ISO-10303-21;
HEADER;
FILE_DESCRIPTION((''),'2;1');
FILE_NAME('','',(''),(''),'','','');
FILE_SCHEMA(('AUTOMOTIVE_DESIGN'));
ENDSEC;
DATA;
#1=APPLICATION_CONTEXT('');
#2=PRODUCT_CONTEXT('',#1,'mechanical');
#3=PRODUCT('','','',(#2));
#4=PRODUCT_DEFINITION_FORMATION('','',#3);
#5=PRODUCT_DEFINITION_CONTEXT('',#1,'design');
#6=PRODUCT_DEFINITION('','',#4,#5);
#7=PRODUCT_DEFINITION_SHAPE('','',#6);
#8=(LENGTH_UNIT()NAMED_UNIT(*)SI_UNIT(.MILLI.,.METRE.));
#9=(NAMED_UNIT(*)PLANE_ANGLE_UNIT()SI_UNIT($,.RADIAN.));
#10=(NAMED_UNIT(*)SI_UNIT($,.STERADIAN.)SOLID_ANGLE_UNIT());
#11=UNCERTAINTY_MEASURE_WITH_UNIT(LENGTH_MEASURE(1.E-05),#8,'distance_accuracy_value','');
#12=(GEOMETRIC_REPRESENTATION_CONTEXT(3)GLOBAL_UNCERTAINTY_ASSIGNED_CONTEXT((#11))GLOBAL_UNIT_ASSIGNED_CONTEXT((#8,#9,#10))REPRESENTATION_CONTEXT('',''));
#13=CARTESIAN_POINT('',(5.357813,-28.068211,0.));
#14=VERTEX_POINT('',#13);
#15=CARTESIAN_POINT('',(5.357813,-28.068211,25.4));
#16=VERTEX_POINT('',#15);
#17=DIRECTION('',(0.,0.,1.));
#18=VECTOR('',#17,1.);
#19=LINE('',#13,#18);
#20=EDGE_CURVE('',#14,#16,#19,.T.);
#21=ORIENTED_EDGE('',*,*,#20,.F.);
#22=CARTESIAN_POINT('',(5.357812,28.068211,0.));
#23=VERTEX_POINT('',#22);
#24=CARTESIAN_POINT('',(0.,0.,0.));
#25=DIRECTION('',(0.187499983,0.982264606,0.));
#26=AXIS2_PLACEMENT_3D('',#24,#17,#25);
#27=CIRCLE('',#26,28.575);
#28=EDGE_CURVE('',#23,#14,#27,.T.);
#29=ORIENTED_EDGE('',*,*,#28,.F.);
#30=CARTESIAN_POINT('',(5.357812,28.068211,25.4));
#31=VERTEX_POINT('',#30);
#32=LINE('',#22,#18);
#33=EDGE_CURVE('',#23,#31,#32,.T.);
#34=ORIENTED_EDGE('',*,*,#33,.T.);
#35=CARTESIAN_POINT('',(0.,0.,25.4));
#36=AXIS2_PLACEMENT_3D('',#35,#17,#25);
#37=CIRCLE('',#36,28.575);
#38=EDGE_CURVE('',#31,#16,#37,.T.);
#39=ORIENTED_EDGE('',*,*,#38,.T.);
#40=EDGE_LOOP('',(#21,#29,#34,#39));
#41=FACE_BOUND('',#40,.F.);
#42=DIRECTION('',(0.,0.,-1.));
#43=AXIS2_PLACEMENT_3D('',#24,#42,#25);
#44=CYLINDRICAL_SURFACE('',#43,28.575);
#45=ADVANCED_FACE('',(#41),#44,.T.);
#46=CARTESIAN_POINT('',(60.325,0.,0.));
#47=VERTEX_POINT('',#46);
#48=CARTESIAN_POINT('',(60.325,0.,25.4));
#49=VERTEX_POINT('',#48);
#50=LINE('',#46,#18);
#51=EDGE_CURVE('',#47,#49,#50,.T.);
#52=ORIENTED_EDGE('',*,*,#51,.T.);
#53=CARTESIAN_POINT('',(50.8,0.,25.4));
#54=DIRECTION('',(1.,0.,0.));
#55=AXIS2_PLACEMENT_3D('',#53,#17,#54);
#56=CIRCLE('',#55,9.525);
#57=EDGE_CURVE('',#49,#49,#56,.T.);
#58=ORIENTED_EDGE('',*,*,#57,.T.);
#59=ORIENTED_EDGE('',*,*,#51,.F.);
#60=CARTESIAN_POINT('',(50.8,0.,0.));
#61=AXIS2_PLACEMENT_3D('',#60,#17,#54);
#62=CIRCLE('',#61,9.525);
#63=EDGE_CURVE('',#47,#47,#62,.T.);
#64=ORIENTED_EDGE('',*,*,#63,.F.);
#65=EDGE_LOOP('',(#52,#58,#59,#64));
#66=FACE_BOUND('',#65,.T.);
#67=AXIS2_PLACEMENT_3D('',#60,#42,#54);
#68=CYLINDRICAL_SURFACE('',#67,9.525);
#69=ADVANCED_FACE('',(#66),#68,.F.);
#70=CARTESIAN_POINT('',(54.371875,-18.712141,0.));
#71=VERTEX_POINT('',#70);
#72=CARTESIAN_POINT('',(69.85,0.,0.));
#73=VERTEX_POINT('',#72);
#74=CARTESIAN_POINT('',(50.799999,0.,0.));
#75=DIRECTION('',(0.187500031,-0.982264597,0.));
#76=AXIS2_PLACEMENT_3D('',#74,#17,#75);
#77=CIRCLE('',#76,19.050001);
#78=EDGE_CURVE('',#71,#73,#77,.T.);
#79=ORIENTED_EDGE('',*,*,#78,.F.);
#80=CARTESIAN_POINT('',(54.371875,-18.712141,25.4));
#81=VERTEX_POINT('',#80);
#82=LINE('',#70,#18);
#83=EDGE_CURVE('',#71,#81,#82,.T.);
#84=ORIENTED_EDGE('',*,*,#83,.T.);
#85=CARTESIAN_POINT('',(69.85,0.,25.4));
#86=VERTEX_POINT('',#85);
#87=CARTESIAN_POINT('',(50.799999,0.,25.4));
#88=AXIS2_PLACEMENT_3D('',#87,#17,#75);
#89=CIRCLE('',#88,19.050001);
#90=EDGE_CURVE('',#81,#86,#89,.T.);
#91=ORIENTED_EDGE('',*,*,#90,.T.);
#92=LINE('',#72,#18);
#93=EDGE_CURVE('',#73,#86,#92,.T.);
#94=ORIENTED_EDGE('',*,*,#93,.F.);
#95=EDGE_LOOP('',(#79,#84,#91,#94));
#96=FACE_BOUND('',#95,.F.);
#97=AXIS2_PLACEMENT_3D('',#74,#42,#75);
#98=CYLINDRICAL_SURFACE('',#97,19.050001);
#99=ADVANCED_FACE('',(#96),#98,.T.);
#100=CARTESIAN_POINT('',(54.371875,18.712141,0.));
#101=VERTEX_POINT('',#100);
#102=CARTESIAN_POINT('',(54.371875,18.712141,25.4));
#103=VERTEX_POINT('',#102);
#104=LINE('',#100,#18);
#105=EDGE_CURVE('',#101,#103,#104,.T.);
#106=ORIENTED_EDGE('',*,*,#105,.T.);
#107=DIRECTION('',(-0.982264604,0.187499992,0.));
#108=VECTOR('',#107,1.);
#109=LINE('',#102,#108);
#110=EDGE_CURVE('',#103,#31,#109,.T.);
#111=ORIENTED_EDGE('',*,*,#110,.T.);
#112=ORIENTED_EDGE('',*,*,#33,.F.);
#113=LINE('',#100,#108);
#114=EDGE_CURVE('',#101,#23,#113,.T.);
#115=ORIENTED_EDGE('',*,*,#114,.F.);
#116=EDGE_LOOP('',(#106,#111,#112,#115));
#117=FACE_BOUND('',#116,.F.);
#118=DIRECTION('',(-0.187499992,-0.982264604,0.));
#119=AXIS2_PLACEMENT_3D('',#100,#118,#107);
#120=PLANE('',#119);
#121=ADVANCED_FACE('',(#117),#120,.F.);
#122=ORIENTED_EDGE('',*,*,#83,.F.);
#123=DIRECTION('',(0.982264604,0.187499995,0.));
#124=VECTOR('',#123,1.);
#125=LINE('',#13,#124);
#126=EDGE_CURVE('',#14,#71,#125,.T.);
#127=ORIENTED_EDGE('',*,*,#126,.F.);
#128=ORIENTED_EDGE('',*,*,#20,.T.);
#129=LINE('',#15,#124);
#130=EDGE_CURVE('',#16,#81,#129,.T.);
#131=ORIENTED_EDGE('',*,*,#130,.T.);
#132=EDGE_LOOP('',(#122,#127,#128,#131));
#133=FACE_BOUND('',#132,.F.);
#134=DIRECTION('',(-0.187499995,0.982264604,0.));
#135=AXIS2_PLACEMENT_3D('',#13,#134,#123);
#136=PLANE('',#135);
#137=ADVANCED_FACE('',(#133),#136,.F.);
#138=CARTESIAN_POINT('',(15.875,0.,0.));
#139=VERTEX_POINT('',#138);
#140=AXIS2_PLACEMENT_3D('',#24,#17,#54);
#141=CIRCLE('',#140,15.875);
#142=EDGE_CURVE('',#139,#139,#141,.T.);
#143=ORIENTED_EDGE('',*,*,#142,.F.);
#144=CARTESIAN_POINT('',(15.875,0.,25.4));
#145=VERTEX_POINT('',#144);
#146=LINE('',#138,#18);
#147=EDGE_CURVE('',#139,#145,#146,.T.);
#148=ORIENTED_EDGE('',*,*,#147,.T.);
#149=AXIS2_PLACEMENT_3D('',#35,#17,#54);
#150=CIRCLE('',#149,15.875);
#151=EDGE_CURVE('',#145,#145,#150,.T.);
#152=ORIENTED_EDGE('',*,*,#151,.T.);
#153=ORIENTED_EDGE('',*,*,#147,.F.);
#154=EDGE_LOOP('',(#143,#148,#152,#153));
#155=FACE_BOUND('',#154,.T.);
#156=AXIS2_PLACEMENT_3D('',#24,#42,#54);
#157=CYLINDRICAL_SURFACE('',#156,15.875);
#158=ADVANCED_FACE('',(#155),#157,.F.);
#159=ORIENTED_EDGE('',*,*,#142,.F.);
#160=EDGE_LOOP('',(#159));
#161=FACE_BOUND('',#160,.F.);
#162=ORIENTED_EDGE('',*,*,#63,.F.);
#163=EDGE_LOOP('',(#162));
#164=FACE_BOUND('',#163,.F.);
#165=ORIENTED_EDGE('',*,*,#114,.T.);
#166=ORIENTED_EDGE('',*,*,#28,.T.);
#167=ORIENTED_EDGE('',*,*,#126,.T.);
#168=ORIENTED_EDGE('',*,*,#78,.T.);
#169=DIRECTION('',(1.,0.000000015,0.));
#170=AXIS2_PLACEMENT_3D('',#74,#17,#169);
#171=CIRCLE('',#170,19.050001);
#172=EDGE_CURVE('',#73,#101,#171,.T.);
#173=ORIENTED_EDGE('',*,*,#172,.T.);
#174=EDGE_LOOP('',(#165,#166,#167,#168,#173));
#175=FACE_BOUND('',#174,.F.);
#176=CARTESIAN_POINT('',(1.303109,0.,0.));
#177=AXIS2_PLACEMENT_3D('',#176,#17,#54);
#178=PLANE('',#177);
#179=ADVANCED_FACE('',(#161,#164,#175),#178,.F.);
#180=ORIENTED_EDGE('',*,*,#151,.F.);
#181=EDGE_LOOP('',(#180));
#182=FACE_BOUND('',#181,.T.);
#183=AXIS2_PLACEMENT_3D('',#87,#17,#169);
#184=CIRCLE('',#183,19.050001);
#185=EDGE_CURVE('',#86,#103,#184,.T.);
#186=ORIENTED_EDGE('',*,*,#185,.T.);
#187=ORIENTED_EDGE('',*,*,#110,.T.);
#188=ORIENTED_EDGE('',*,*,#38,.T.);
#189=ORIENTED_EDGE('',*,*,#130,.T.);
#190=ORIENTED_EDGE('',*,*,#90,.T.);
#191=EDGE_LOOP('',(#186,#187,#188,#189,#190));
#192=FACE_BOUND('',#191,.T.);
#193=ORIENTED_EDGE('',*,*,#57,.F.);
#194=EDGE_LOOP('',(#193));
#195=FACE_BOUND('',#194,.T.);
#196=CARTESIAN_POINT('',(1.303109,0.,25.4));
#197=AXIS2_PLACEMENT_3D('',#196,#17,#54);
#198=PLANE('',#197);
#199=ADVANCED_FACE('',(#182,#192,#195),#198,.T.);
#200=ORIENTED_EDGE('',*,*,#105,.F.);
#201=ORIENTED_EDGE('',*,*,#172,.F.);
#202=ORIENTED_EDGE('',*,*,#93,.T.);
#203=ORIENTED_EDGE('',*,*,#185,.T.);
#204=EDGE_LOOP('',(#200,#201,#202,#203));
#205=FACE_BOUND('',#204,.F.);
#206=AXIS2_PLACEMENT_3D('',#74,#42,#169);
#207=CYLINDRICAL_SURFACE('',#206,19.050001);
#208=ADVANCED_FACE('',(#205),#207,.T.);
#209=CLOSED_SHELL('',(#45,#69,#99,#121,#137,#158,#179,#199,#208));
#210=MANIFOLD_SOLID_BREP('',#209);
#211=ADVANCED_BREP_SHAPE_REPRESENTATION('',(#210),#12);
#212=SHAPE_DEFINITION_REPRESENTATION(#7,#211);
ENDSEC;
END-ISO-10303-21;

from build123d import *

# Parameters (mm, degrees)
F0_R     = 15.875
F0_R_2   = 9.525
F1_DEPTH = 25.4


with BuildPart() as f1:
    # F0 (on Top) → F1 (new body)
    with BuildSketch(Plane.XY):
        with BuildLine():
            ThreePointArc((5.357813, -28.068211), (22.018516, -18.21306), (28.575, 0))
            ThreePointArc((28.575, 0), (22.018516, 18.21306), (5.357812, 28.068211))
            ThreePointArc((5.357812, 28.068211), (-28.575, 0), (5.357813, -28.068211))
        make_face()
        Circle(F0_R, mode=Mode.SUBTRACT)
        with BuildLine():
            ThreePointArc((69.85, 0), (65.479011, 12.14204), (54.371875, 18.712141))
            ThreePointArc((54.371875, 18.712141), (31.75, 0), (54.371875, -18.712141))
            ThreePointArc((54.371875, -18.712141), (65.479011, -12.14204), (69.85, 0))
        make_face()
        with Locations((50.8, 0)):
            Circle(F0_R_2, mode=Mode.SUBTRACT)
        with BuildLine():
            ThreePointArc((5.357812, 28.068211), (22.018516, 18.21306), (28.575, 0))
            ThreePointArc((28.575, 0), (22.018516, -18.21306), (5.357813, -28.068211))
            Line((5.357813, -28.068211), (54.371875, -18.712141))
            ThreePointArc((54.371875, -18.712141), (31.75, 0), (54.371875, 18.712141))
            Line((54.371875, 18.712141), (5.357812, 28.068211))
        make_face()
    extrude(amount=F1_DEPTH)


solid = f1.part
